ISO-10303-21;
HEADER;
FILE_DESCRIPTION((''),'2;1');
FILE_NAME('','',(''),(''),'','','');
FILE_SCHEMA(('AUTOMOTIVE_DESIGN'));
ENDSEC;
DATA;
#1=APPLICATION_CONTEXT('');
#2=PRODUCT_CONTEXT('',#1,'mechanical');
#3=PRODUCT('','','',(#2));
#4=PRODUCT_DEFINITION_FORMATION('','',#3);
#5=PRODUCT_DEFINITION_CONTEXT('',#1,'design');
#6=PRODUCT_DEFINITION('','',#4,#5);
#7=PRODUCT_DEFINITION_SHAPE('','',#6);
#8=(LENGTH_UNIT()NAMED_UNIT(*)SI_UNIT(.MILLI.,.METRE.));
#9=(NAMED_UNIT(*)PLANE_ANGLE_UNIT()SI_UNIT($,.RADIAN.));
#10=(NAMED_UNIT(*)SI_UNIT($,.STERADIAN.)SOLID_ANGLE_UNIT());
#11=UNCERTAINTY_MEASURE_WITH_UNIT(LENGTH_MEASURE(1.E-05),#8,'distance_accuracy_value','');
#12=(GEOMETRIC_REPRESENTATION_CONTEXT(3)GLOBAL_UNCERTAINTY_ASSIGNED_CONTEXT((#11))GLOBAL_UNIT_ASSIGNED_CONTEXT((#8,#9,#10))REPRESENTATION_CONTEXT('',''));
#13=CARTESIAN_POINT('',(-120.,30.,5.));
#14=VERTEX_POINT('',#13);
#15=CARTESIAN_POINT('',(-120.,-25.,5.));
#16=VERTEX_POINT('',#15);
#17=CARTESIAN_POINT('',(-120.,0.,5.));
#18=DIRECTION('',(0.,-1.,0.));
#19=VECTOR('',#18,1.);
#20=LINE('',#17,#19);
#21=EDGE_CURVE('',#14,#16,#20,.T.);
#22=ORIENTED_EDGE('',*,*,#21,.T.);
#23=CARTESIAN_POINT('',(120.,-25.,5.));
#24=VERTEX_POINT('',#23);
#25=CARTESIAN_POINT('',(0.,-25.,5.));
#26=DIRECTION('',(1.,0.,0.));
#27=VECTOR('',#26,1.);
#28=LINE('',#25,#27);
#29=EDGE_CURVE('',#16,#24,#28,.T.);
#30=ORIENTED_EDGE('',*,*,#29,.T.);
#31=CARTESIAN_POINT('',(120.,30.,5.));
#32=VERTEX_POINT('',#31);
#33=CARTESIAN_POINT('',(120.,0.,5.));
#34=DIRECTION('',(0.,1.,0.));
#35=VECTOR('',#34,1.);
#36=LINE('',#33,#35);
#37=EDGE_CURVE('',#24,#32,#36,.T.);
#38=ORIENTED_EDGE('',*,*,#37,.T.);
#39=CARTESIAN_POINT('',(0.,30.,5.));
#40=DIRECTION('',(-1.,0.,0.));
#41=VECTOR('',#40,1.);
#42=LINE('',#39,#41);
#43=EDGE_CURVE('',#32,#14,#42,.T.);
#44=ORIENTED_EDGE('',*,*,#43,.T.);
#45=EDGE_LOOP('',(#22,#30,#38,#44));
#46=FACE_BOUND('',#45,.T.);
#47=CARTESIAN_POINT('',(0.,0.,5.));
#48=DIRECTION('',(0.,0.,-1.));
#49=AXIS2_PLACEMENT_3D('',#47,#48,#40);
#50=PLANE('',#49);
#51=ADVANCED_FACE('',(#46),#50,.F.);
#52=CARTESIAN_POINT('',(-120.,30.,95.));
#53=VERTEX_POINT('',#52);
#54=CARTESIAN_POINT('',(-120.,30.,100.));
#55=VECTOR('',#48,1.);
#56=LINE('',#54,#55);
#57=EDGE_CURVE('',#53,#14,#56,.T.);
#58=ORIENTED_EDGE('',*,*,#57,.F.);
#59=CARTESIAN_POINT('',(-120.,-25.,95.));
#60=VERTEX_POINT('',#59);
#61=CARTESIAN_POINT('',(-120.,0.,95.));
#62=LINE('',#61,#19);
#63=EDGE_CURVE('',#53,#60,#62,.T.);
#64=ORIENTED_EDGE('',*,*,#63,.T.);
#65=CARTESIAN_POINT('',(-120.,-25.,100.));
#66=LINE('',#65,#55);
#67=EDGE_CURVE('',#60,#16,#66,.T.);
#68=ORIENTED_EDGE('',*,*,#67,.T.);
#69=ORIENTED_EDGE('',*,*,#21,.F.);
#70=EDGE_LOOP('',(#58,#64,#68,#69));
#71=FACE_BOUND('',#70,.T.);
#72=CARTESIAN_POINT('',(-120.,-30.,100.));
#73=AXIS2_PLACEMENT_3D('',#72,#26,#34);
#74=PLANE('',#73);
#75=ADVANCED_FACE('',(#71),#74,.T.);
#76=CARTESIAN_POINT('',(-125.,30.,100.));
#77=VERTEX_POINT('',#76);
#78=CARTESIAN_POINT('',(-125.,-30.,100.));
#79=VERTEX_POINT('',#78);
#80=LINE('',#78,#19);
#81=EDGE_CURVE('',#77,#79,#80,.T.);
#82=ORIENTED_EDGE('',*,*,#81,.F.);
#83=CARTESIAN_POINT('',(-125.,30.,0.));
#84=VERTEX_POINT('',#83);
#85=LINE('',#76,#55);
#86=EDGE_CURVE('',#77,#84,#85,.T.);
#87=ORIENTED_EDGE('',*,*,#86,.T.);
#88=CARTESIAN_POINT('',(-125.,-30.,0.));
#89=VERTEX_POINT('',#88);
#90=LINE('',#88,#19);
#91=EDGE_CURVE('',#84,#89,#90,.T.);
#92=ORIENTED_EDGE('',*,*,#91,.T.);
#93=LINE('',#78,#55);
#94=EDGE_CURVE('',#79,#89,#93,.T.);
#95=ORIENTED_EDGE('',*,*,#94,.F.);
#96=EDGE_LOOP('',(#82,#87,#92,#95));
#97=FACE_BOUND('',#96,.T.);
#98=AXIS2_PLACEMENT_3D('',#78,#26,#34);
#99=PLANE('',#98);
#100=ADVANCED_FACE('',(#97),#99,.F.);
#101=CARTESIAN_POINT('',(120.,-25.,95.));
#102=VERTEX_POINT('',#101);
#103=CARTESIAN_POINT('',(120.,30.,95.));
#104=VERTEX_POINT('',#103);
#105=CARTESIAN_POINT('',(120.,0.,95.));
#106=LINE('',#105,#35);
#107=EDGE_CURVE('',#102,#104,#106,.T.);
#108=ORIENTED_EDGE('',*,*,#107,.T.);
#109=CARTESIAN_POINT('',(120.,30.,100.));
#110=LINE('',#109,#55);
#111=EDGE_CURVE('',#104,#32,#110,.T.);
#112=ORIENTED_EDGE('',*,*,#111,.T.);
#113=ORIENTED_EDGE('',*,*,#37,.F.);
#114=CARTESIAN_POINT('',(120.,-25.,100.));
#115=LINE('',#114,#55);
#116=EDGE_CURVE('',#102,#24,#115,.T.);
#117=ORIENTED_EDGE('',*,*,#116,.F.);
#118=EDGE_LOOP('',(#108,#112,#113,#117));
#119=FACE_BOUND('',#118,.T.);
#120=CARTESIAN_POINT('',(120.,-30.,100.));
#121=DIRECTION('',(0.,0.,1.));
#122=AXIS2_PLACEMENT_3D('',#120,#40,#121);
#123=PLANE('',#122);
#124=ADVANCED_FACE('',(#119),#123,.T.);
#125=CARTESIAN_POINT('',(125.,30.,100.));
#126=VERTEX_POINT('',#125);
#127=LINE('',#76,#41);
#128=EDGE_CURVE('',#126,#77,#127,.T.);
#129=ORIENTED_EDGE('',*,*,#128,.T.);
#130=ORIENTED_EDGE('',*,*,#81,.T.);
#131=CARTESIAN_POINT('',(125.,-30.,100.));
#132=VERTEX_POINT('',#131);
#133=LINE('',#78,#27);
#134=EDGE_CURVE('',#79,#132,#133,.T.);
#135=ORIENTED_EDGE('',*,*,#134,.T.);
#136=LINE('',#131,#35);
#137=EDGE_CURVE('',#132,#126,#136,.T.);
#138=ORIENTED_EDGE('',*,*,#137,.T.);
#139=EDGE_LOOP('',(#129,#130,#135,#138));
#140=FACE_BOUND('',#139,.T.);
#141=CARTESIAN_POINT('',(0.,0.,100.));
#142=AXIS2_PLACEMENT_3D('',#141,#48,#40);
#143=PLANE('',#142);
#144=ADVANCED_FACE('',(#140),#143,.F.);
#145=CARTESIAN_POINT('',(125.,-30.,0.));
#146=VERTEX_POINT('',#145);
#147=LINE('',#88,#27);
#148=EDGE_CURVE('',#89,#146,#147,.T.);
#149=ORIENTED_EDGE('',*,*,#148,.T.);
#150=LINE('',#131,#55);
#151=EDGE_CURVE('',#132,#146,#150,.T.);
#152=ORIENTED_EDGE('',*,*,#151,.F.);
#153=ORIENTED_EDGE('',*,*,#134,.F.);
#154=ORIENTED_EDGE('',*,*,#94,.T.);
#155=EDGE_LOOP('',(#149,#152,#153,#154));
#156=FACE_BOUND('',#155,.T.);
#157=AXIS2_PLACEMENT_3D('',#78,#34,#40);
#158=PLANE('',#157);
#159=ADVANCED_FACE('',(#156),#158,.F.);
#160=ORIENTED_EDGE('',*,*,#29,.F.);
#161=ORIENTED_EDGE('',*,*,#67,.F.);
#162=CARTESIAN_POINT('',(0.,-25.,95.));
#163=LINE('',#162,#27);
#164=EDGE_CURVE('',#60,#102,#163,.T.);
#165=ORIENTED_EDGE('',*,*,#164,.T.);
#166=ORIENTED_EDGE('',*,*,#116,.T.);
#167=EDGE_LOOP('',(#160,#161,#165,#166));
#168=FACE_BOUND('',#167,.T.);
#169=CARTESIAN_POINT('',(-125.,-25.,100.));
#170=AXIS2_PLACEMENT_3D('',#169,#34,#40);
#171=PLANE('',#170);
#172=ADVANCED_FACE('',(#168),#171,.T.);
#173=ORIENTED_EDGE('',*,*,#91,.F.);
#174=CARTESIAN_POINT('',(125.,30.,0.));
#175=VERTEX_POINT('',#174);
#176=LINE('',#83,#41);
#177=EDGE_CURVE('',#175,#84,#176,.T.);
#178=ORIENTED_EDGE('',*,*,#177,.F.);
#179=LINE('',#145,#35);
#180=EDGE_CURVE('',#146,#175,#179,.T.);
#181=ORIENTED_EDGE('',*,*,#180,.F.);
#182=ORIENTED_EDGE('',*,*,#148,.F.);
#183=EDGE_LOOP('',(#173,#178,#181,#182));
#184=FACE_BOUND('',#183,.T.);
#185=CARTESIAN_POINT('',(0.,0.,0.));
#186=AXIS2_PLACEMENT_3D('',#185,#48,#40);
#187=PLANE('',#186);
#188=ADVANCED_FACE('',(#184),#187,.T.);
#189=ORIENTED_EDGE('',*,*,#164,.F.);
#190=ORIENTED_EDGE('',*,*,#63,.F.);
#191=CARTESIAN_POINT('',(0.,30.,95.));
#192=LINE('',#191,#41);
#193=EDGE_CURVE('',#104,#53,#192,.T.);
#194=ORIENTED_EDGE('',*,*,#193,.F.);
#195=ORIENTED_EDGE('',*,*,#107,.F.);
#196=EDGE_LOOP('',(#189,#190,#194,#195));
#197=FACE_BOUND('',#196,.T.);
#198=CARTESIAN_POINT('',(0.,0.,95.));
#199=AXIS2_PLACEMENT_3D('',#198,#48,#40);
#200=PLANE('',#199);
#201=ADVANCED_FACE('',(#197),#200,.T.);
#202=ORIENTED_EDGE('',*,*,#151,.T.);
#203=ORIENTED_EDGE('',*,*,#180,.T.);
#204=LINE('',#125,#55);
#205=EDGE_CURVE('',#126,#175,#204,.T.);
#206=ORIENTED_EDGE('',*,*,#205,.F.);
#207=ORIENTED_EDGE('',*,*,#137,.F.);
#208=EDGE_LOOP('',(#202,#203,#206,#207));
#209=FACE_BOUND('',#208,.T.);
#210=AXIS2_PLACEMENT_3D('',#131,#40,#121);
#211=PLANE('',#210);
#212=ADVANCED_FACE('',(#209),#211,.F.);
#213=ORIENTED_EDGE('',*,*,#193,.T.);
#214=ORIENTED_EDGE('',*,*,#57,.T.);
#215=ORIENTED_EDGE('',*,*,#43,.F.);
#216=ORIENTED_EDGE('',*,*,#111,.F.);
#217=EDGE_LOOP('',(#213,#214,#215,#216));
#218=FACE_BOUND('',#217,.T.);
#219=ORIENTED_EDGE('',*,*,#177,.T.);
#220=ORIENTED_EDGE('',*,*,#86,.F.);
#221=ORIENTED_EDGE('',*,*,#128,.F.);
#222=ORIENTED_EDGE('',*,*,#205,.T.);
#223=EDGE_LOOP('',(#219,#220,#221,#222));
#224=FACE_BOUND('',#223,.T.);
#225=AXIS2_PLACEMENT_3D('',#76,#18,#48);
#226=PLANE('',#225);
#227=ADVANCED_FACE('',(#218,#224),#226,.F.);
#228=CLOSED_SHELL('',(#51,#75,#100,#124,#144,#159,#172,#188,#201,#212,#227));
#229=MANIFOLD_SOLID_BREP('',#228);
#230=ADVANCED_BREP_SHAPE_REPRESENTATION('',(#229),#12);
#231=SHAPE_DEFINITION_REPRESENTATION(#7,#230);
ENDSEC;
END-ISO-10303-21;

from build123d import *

# Parameters (mm, degrees)
SKETCH_1_W      = 250
SKETCH_1_H      = 60
EXTRUDE_1_DEPTH = 100
SHELL_1_T       = -5


with BuildPart() as part:
    # 草图1 → 凸台-拉伸1 (new body)
    with BuildSketch(Plane.XY):
        Rectangle(SKETCH_1_W, SKETCH_1_H)
    extrude(amount=EXTRUDE_1_DEPTH)

    # 抽壳1
    shell_1_openings = [part.faces().sort_by_distance(p)[0] for p in [
        (0, 30, 50),
    ]]
    offset(amount=SHELL_1_T, openings=shell_1_openings, kind=Kind.INTERSECTION)


solid = part.part
